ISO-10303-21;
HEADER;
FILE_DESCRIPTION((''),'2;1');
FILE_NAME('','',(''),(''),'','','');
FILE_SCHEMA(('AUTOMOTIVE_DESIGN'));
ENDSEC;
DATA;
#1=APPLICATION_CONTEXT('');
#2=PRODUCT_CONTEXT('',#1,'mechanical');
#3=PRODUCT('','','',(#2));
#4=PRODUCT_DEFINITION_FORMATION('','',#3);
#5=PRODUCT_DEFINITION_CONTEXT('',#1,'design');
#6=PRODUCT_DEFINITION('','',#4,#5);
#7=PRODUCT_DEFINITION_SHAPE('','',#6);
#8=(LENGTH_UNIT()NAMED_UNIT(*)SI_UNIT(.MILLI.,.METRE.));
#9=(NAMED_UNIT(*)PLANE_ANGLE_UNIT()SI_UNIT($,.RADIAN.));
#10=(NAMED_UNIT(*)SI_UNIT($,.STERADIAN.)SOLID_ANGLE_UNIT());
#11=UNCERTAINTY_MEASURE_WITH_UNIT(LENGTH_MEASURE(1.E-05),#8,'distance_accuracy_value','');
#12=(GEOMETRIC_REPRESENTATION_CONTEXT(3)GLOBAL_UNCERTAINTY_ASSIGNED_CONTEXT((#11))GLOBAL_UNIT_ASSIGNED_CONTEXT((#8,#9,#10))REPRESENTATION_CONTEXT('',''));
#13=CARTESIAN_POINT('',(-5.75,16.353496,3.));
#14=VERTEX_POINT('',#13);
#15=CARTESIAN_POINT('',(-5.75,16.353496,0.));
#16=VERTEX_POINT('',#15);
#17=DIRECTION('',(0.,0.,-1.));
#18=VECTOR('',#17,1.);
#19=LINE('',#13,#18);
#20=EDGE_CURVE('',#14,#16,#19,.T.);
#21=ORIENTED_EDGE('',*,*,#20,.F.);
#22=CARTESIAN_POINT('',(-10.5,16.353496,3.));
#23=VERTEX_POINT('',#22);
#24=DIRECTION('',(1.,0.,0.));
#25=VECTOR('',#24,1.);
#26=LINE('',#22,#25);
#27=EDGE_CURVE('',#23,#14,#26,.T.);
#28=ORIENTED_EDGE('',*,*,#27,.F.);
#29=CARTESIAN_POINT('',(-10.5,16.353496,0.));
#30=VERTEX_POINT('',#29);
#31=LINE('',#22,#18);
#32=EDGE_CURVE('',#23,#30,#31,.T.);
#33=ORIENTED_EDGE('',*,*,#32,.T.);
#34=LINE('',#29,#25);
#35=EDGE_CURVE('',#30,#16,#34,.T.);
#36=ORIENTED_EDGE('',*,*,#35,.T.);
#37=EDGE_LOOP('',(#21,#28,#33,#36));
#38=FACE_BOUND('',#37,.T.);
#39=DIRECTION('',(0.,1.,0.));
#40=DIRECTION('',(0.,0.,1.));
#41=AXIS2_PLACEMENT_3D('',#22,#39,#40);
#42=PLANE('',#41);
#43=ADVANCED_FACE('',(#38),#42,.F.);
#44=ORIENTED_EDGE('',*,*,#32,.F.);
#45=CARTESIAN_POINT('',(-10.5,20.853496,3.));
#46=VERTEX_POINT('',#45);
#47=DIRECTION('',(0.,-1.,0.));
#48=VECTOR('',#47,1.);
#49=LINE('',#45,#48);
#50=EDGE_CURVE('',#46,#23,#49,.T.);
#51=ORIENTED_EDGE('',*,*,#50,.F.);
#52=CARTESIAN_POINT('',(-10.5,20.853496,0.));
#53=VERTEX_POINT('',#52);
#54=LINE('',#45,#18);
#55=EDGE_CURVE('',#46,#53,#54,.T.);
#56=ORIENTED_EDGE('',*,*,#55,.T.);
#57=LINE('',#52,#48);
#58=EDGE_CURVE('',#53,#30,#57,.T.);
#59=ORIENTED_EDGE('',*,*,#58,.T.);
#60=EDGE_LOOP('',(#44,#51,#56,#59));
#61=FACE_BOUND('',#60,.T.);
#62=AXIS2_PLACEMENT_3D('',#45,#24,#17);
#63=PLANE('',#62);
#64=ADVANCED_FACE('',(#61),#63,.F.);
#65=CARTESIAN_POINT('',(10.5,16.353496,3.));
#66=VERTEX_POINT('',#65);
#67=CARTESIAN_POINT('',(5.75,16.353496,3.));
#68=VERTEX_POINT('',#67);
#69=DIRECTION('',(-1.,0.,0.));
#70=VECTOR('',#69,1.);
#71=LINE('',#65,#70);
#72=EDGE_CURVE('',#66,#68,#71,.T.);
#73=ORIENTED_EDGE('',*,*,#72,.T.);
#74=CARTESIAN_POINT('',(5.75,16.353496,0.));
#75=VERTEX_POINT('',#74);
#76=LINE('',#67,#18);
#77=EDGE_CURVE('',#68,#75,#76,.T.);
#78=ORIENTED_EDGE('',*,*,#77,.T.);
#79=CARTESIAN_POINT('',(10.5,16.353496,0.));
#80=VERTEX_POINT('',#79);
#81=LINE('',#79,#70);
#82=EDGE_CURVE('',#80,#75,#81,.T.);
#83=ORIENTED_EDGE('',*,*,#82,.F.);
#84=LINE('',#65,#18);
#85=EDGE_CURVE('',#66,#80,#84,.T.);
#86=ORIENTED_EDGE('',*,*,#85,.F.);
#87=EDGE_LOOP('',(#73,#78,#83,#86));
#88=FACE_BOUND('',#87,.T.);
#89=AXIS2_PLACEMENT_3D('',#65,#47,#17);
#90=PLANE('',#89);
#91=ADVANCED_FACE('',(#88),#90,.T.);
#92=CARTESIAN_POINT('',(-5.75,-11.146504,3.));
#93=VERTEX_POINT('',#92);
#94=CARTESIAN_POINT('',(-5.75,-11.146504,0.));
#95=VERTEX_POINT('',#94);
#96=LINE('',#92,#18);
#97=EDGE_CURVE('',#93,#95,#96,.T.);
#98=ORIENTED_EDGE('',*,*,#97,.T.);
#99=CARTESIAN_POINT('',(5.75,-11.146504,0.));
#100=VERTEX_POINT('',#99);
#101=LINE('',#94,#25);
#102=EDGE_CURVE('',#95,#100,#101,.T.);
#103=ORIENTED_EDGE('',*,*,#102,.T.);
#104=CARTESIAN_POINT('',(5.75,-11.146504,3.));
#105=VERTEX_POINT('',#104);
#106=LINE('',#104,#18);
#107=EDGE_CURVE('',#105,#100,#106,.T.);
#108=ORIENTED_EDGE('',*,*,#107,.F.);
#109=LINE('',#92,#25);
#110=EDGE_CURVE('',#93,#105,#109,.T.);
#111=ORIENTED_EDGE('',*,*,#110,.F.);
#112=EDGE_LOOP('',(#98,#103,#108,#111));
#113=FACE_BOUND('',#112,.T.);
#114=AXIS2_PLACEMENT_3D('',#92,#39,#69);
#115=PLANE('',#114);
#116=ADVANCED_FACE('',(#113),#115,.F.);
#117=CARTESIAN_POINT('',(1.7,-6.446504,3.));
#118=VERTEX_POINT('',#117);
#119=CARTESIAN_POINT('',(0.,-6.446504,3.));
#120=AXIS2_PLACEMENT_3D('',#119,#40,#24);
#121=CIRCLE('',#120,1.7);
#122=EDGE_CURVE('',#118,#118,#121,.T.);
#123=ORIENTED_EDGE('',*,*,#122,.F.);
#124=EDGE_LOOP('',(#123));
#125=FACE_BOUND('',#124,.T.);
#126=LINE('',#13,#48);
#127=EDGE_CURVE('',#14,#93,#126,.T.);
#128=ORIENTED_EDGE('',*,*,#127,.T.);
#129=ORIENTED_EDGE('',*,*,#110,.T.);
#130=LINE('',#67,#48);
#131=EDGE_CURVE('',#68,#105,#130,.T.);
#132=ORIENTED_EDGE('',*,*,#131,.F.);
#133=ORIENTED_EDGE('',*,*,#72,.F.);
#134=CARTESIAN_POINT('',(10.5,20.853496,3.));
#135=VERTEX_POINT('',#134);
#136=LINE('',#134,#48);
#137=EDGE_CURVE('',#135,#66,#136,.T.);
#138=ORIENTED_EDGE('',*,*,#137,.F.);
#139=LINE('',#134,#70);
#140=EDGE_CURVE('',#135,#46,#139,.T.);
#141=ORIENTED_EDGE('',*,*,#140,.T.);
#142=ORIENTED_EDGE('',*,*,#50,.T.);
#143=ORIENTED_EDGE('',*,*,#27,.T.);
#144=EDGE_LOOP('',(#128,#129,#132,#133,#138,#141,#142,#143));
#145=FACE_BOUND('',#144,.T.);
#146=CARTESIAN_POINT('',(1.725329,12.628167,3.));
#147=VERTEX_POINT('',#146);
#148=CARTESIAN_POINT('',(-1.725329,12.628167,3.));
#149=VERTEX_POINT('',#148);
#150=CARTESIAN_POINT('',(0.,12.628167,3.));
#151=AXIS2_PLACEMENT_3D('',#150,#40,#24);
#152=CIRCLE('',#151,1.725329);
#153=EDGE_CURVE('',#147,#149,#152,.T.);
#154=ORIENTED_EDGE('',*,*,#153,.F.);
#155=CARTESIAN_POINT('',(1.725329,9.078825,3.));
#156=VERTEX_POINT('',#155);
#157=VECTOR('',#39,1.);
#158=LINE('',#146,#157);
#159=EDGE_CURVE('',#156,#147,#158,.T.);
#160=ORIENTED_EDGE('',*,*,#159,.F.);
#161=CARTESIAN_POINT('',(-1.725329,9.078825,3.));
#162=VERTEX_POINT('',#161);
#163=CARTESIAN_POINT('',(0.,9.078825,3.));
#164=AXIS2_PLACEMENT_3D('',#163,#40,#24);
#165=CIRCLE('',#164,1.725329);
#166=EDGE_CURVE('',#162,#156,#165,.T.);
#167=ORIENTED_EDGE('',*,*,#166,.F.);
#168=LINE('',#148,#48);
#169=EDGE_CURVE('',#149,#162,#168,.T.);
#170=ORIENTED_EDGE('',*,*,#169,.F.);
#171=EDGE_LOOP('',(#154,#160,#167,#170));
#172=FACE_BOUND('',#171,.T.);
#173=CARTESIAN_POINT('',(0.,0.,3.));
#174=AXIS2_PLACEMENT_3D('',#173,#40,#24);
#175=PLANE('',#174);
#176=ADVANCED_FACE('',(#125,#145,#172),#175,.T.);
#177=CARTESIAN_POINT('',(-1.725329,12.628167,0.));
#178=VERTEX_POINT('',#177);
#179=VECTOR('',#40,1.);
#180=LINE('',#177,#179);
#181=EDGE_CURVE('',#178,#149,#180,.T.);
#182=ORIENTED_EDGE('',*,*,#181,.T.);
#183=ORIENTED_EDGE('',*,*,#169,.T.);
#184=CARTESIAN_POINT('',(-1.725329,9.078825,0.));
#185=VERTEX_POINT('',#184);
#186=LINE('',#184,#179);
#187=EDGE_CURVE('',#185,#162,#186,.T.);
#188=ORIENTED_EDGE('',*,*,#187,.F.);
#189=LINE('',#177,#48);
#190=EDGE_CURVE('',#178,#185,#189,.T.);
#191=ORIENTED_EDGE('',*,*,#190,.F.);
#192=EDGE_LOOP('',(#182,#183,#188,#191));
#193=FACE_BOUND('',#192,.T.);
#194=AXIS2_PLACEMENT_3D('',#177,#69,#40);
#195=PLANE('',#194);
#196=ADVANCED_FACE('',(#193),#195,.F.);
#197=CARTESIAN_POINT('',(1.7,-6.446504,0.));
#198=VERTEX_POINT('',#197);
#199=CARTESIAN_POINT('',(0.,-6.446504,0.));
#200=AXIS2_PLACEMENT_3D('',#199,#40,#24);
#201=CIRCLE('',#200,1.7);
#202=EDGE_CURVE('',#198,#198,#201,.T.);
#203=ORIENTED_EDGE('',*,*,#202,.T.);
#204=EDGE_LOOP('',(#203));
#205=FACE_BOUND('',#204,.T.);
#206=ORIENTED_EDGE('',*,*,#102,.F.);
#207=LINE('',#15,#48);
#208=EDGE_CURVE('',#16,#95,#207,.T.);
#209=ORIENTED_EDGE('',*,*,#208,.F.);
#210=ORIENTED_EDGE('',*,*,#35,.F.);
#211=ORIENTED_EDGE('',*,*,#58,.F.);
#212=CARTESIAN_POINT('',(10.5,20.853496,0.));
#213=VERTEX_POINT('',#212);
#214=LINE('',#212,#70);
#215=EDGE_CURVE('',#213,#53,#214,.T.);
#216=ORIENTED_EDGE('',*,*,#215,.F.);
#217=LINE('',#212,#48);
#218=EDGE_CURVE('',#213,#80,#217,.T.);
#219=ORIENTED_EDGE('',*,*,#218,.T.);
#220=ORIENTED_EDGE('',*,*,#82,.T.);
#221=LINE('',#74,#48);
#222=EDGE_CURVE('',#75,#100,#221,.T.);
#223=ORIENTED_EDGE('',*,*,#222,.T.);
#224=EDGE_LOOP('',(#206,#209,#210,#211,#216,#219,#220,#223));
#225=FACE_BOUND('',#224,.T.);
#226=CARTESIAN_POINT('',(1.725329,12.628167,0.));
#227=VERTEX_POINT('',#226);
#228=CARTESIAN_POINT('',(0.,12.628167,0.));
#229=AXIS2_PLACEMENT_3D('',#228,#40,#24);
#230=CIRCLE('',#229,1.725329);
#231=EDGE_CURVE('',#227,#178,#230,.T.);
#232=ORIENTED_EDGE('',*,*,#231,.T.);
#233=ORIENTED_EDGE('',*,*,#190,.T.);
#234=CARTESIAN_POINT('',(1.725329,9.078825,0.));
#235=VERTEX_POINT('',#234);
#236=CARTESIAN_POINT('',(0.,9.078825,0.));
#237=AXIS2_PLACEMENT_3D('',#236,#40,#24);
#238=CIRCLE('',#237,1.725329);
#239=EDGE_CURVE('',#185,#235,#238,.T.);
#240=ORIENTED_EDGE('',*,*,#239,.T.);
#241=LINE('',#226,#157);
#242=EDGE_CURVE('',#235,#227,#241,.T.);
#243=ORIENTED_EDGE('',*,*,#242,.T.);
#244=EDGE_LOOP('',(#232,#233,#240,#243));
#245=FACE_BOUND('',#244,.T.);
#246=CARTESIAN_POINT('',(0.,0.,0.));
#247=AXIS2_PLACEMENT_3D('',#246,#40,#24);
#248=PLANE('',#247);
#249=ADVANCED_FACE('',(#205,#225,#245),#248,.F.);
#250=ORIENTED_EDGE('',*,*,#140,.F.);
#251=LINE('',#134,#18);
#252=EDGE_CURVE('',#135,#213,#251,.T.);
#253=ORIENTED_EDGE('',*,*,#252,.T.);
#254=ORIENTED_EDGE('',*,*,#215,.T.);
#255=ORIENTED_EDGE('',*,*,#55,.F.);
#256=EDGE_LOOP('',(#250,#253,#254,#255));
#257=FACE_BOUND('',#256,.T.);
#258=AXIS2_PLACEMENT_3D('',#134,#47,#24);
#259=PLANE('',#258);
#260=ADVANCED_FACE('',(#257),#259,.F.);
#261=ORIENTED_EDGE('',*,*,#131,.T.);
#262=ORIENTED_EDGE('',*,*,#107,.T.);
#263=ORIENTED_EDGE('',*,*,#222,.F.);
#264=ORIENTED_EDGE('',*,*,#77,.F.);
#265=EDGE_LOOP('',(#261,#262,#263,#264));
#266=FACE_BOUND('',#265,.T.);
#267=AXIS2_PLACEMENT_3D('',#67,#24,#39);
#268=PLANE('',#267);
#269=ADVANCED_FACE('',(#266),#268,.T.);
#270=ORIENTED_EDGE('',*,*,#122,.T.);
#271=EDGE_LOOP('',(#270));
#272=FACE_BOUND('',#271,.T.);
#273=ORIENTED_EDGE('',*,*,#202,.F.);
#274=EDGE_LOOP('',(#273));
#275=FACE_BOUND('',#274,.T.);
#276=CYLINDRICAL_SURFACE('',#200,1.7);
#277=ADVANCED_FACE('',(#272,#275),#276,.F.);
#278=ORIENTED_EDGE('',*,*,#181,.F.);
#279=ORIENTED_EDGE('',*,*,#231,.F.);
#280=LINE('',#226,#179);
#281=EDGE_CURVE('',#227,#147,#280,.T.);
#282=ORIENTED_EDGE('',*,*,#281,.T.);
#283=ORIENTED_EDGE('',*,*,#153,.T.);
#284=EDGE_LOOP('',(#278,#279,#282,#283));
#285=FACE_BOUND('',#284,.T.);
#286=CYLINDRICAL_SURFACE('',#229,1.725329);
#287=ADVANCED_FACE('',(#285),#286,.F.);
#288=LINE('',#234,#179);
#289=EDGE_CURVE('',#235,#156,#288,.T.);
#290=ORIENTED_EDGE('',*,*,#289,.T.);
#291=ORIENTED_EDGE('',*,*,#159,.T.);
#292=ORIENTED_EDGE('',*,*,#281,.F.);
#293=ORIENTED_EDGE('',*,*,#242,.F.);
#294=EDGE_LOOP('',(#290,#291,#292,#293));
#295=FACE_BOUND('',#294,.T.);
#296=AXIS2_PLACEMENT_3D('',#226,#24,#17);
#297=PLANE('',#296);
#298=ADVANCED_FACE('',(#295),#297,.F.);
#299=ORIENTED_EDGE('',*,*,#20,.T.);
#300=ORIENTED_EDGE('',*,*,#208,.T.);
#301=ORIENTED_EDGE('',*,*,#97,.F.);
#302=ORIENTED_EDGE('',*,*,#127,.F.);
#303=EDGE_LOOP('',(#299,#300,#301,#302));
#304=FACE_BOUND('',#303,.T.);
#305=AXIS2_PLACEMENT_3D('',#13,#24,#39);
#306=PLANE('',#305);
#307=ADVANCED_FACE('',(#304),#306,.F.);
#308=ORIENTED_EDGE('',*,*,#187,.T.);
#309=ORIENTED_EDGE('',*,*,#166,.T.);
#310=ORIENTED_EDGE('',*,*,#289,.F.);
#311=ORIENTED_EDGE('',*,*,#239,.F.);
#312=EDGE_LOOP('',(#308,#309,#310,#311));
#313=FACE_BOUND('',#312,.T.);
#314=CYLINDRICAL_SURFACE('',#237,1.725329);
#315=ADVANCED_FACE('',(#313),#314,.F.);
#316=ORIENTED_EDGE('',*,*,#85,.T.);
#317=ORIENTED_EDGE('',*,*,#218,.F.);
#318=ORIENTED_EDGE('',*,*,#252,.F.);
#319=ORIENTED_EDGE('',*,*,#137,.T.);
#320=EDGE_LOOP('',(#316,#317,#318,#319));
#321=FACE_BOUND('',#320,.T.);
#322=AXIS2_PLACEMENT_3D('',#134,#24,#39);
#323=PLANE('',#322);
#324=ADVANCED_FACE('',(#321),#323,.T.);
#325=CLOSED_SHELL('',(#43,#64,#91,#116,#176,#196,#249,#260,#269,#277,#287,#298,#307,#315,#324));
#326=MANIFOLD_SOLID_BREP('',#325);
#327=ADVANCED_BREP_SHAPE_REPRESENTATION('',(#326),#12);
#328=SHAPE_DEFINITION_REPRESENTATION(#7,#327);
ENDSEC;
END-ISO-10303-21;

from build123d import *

# Parameters (mm, degrees)
BOSS_EXTRUDE1_DEPTH = 3
SKETCH2_R           = 1.7
CUT_EXTRUDE1_DEPTH  = 3


with BuildPart() as part:
    # Sketch1 → Boss-Extrude1 (new body)
    with BuildSketch(Plane.XY):
        Polygon((10.5, 20.853495779), (-10.5, 20.853495779), (-10.5, 16.353495779), (-5.75, 16.353495779), (-5.75, -11.146504221), (5.75, -11.146504221), (5.75, 16.353495779), (10.5, 16.353495779), align=None)
    extrude(amount=BOSS_EXTRUDE1_DEPTH)

    # Sketch2 → Cut-Extrude1 (cut)
    with BuildSketch(Plane.XY.offset(3)):
        with Locations((0, -6.446504221)):
            Circle(SKETCH2_R)
        with BuildLine():
            Line((1.725328859, 12.62816692), (1.725328859, 9.078824638))
            ThreePointArc((1.725328859, 9.078824638), (0, 7.353495779), (-1.725328859, 9.078824638))
            Line((-1.725328859, 9.078824638), (-1.725328859, 12.62816692))
            ThreePointArc((-1.725328859, 12.62816692), (0, 14.353495779), (1.725328859, 12.62816692))
        make_face()
    extrude(amount=-CUT_EXTRUDE1_DEPTH, mode=Mode.SUBTRACT)


solid = part.part
